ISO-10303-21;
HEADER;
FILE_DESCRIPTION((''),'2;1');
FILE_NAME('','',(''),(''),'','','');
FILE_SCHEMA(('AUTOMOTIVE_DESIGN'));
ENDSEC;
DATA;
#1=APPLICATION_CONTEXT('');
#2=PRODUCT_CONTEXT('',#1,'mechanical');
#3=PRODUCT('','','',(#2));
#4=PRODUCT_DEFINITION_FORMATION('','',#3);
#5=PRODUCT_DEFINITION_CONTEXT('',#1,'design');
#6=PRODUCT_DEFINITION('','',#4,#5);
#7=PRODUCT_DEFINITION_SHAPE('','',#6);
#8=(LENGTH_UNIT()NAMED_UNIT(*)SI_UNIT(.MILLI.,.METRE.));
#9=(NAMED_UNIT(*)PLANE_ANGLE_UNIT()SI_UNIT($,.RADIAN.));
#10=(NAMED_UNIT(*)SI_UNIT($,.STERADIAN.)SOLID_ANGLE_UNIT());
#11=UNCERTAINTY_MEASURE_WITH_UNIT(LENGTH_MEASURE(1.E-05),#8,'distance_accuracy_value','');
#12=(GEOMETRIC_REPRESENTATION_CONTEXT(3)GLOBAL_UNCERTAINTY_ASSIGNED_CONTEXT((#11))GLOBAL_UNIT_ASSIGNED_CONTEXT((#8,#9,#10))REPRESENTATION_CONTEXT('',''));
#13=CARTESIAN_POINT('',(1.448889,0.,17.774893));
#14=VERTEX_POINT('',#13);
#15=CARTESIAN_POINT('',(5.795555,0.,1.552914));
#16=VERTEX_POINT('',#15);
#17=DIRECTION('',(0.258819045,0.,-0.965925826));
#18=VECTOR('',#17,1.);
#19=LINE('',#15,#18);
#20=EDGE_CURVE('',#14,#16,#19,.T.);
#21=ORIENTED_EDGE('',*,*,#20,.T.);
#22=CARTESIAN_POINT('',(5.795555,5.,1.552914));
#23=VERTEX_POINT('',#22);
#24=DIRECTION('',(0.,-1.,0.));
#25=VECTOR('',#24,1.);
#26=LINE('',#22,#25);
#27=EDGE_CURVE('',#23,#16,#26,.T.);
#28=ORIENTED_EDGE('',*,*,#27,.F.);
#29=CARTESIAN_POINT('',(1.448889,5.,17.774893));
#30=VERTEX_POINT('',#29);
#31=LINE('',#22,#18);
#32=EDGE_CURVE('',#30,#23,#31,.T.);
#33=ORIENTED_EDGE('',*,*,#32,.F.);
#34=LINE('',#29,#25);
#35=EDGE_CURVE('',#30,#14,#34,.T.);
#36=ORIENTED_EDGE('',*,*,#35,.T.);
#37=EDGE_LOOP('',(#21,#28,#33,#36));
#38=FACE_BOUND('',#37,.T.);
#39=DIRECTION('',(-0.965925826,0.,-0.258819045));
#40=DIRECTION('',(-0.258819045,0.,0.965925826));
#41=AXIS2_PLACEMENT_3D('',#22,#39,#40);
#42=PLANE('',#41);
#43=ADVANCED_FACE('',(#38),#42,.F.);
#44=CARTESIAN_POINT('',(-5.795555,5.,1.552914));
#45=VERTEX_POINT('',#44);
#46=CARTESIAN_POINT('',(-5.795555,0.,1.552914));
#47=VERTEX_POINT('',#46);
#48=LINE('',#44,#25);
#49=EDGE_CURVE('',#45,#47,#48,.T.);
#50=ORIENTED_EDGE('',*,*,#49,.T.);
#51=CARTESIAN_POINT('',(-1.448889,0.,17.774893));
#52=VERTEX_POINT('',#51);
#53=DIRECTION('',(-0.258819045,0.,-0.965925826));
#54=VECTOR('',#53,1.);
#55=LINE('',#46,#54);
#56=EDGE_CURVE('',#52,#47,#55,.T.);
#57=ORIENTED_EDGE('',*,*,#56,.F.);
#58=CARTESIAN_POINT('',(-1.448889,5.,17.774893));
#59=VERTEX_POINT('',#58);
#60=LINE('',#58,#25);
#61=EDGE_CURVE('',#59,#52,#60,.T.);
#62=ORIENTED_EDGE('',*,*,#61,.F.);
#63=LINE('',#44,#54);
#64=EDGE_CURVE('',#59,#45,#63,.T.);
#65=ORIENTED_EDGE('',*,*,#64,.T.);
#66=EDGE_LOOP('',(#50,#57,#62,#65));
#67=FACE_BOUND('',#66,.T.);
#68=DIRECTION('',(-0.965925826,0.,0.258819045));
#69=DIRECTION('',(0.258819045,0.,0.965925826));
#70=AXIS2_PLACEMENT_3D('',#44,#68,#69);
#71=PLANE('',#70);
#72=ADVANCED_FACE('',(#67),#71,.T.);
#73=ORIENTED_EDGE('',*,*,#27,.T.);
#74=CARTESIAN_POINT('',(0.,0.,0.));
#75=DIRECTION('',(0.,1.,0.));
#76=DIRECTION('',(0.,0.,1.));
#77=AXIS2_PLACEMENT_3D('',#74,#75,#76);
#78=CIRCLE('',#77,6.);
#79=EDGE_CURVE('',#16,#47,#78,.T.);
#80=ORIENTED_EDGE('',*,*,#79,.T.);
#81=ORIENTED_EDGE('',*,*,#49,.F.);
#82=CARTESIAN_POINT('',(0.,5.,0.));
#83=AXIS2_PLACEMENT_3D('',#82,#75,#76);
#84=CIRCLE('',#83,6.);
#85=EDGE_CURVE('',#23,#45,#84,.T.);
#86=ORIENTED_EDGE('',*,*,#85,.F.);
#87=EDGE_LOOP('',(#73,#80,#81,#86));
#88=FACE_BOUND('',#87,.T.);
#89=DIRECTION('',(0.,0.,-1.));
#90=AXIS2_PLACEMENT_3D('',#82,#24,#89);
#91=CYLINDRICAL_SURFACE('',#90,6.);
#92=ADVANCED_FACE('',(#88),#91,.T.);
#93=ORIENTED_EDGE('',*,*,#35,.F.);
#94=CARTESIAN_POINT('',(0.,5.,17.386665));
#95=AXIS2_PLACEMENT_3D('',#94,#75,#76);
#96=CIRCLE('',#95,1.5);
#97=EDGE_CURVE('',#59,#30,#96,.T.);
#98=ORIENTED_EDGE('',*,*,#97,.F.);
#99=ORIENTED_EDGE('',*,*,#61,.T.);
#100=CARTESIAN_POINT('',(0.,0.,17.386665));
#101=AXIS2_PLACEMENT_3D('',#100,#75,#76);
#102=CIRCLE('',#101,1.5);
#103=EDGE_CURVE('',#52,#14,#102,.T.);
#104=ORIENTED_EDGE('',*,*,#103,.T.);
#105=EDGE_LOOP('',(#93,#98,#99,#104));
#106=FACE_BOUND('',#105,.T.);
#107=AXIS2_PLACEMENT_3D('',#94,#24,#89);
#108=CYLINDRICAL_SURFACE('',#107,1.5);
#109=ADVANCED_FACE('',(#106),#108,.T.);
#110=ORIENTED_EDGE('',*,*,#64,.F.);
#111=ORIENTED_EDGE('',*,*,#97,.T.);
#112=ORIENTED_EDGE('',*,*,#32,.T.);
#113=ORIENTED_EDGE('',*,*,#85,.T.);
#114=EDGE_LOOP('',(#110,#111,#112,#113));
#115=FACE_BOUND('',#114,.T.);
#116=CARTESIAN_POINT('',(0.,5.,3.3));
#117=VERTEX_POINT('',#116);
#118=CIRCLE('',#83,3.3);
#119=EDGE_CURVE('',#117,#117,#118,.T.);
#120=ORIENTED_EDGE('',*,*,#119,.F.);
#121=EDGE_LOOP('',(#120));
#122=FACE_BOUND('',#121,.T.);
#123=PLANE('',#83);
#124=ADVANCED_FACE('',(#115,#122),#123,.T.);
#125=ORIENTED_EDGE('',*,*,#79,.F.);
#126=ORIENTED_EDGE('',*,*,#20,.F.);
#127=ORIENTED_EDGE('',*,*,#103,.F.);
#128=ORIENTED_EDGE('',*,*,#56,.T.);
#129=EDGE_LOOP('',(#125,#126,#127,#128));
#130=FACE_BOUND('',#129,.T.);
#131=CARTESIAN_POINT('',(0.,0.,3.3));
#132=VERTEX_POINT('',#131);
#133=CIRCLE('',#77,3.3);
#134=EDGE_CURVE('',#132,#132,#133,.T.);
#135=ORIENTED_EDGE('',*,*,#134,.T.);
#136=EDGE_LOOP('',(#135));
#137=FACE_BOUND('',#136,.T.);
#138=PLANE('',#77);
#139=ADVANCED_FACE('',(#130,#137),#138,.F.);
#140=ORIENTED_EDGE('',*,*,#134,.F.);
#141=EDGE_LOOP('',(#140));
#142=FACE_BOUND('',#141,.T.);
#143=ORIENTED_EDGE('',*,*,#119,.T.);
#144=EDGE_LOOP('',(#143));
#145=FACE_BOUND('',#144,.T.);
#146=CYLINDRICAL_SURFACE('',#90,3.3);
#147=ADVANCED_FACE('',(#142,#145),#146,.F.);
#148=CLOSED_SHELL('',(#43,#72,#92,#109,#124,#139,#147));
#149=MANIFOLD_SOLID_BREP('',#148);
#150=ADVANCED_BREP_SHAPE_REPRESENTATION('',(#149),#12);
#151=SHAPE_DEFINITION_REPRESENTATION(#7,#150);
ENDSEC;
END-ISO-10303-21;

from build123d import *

# Parameters (mm, degrees)
SKETCH_1_R      = 6
SKETCH_1_R_2    = 3.3
EXTRUDE_1_DEPTH = 5


with BuildPart() as part:
    # 스케치1 → 보스-돌출1 (new body)
    with BuildSketch(Plane(origin=(0, 0, 0), x_dir=(1, 0, 0), z_dir=(0, 1, 0))):
        Circle(SKETCH_1_R)
        Circle(SKETCH_1_R_2, mode=Mode.SUBTRACT)
        with BuildLine():
            Line((-5.795554958, -1.552914271), (-1.448888739, -17.774893441))
            ThreePointArc((-1.448888739, -17.774893441), (0, -18.886664873), (1.448888739, -17.774893441))
            Line((1.448888739, -17.774893441), (5.795554958, -1.552914271))
            ThreePointArc((5.795554958, -1.552914271), (0, -6), (-5.795554958, -1.552914271))
        make_face()
    extrude(amount=EXTRUDE_1_DEPTH)


solid = part.part
